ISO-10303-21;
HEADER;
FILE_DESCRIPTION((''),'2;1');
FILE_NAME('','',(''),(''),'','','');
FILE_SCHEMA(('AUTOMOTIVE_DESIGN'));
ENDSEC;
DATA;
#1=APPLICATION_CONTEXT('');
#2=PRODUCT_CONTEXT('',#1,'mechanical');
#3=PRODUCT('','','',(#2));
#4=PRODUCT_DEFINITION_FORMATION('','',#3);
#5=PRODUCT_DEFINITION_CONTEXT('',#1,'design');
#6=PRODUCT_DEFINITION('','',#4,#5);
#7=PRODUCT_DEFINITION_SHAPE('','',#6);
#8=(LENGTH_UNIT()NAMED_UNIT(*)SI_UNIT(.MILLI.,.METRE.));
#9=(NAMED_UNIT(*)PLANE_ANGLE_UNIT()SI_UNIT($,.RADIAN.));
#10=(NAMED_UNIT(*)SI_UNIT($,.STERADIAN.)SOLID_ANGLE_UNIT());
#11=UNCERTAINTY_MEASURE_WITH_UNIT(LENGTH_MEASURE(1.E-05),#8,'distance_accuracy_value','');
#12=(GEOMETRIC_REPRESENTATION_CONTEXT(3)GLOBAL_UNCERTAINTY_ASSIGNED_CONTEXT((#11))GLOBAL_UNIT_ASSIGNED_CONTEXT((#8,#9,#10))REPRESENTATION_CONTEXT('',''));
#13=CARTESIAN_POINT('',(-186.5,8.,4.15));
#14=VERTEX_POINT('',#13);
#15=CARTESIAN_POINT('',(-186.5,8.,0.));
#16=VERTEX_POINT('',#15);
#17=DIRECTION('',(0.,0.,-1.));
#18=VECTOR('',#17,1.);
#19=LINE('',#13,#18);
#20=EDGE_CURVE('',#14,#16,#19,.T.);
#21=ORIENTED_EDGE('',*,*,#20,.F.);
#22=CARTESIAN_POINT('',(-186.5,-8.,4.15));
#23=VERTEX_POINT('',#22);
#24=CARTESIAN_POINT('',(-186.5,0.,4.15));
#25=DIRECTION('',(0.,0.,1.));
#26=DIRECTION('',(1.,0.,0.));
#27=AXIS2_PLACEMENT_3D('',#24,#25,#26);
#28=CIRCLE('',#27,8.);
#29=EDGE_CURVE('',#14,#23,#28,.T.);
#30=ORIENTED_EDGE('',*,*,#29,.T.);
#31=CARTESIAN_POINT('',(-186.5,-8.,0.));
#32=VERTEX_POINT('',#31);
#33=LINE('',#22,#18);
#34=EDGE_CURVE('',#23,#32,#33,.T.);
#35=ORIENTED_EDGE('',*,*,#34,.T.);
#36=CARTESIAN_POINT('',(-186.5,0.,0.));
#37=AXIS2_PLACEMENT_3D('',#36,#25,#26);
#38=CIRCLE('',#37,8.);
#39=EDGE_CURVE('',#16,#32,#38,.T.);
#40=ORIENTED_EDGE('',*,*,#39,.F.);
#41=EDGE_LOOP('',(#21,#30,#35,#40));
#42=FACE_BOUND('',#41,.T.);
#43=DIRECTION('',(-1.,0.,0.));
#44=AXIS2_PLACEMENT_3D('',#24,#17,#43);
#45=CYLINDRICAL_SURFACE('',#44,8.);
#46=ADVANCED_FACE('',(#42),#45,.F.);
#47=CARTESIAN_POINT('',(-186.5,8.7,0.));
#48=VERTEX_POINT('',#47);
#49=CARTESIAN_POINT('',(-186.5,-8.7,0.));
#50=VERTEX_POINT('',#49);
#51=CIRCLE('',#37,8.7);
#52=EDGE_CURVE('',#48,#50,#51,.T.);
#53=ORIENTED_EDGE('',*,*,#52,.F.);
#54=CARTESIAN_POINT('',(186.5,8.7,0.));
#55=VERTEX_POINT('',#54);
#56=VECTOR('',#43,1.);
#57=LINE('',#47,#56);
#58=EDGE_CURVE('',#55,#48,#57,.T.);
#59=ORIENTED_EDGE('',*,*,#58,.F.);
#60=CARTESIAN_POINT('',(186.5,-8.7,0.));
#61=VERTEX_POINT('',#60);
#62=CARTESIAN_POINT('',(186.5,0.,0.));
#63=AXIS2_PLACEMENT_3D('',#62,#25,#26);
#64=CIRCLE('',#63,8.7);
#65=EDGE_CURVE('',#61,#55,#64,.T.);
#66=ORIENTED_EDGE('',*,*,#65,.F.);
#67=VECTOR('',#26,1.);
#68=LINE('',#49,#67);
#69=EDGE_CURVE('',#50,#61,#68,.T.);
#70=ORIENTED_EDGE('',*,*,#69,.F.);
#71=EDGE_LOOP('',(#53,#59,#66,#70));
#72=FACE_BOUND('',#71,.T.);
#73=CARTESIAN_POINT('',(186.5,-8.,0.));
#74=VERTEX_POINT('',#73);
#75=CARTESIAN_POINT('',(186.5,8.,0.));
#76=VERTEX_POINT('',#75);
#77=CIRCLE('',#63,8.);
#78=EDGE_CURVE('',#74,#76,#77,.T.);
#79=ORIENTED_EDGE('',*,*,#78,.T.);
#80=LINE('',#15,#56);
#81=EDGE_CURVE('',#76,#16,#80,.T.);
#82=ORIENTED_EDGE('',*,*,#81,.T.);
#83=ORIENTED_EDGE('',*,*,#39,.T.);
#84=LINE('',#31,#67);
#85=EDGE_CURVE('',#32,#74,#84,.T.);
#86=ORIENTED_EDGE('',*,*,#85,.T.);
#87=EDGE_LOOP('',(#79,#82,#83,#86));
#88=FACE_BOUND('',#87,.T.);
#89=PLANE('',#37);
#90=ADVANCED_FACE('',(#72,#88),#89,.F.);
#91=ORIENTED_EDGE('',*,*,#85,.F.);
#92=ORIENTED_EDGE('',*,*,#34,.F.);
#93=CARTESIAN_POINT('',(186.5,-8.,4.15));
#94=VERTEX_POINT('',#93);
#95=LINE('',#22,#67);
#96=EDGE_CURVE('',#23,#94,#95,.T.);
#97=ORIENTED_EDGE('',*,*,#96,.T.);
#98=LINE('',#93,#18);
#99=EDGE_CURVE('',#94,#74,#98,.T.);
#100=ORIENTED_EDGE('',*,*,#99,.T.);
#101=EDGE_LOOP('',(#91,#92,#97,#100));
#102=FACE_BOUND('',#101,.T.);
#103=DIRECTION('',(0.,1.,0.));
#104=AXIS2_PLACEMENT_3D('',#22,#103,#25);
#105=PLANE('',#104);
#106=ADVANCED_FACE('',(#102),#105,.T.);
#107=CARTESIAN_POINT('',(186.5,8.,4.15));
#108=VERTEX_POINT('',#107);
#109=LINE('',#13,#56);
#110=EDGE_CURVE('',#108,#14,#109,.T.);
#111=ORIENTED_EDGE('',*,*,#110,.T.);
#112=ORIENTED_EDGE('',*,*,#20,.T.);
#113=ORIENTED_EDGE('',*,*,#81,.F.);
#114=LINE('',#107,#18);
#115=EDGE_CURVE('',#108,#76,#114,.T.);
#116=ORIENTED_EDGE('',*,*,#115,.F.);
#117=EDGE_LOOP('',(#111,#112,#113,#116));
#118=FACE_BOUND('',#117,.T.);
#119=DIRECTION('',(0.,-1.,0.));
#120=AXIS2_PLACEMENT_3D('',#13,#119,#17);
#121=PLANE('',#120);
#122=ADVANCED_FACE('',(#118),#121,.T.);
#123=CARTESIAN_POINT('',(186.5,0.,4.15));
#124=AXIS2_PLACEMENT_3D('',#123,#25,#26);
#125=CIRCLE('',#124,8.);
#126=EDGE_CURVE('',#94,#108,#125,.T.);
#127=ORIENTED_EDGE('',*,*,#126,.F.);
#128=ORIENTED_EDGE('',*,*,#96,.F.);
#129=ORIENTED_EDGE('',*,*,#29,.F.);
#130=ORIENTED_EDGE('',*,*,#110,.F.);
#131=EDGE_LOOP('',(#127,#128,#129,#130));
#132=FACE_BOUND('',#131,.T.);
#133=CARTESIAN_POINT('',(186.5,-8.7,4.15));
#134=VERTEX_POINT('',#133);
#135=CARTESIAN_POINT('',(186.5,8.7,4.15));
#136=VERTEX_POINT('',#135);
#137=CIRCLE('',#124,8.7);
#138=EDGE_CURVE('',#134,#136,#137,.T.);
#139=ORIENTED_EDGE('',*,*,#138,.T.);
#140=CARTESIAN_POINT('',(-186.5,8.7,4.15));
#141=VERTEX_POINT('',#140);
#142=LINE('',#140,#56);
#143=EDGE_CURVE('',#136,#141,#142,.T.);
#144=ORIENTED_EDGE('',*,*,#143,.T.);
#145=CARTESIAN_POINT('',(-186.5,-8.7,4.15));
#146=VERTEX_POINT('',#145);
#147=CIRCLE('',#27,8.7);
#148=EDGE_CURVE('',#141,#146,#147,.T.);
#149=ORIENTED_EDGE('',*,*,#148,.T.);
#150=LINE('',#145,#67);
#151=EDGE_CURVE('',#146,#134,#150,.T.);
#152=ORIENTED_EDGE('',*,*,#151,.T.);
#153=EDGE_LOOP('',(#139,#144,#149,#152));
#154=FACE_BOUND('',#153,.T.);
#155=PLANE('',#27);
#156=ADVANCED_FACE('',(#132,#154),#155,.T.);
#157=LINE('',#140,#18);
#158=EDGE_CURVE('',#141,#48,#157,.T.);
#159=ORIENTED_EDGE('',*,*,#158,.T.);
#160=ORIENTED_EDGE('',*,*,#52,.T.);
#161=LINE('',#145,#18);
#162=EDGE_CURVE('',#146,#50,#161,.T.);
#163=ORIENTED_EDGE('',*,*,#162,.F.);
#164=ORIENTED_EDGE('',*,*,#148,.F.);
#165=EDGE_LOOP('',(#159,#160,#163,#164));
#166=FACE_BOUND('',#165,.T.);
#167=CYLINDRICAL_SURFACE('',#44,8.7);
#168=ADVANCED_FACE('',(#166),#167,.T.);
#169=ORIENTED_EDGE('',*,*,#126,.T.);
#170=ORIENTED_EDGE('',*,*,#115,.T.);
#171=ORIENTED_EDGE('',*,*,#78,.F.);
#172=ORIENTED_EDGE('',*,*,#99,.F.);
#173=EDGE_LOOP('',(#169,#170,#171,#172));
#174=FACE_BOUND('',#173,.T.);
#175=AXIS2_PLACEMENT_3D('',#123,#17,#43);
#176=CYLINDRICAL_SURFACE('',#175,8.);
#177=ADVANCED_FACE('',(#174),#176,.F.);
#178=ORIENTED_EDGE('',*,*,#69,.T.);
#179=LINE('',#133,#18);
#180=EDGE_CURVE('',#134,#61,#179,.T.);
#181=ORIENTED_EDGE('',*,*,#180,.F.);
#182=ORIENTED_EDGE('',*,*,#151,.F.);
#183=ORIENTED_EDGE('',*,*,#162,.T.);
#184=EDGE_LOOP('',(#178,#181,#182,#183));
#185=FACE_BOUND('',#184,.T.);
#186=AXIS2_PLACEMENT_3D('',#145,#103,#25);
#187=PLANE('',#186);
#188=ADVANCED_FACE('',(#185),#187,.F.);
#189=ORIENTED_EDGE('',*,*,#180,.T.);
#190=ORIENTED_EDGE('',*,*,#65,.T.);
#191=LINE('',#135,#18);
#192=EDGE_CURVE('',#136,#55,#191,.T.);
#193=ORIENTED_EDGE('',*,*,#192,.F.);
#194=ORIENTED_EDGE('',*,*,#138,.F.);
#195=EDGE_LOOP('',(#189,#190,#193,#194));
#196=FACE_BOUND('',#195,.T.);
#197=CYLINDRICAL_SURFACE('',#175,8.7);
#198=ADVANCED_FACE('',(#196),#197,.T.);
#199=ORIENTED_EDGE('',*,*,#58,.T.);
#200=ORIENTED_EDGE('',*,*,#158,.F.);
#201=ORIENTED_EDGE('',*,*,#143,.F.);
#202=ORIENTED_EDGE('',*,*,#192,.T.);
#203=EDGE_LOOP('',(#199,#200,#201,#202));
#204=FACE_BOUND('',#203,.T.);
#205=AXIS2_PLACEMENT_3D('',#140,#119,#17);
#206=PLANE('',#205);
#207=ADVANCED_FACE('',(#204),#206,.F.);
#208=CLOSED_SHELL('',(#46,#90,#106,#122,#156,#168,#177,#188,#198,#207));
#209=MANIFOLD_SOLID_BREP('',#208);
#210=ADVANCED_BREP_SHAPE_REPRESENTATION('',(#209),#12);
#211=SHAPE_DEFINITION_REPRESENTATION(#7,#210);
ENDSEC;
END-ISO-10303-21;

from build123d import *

# Parameters (mm, degrees)
RESSALTO_EXTRUS_O1_DEPTH = 4.15


with BuildPart() as part:
    # Esboço1 → Ressalto-extrusão1 (new body)
    with BuildSketch(Plane.XY):
        with BuildLine():
            Line((-186.5, 8.7), (186.5, 8.7))
            ThreePointArc((186.5, 8.7), (195.2, 0), (186.5, -8.7))
            Line((186.5, -8.7), (-186.5, -8.7))
            ThreePointArc((-186.5, -8.7), (-195.2, 0), (-186.5, 8.7))
        make_face()
        with BuildLine():
            Line((-186.5, 8), (186.5, 8))
            ThreePointArc((186.5, 8), (194.5, 0), (186.5, -8))
            Line((186.5, -8), (-186.5, -8))
            ThreePointArc((-186.5, -8), (-194.5, 0), (-186.5, 8))
        make_face(mode=Mode.SUBTRACT)
    extrude(amount=RESSALTO_EXTRUS_O1_DEPTH)


solid = part.part
